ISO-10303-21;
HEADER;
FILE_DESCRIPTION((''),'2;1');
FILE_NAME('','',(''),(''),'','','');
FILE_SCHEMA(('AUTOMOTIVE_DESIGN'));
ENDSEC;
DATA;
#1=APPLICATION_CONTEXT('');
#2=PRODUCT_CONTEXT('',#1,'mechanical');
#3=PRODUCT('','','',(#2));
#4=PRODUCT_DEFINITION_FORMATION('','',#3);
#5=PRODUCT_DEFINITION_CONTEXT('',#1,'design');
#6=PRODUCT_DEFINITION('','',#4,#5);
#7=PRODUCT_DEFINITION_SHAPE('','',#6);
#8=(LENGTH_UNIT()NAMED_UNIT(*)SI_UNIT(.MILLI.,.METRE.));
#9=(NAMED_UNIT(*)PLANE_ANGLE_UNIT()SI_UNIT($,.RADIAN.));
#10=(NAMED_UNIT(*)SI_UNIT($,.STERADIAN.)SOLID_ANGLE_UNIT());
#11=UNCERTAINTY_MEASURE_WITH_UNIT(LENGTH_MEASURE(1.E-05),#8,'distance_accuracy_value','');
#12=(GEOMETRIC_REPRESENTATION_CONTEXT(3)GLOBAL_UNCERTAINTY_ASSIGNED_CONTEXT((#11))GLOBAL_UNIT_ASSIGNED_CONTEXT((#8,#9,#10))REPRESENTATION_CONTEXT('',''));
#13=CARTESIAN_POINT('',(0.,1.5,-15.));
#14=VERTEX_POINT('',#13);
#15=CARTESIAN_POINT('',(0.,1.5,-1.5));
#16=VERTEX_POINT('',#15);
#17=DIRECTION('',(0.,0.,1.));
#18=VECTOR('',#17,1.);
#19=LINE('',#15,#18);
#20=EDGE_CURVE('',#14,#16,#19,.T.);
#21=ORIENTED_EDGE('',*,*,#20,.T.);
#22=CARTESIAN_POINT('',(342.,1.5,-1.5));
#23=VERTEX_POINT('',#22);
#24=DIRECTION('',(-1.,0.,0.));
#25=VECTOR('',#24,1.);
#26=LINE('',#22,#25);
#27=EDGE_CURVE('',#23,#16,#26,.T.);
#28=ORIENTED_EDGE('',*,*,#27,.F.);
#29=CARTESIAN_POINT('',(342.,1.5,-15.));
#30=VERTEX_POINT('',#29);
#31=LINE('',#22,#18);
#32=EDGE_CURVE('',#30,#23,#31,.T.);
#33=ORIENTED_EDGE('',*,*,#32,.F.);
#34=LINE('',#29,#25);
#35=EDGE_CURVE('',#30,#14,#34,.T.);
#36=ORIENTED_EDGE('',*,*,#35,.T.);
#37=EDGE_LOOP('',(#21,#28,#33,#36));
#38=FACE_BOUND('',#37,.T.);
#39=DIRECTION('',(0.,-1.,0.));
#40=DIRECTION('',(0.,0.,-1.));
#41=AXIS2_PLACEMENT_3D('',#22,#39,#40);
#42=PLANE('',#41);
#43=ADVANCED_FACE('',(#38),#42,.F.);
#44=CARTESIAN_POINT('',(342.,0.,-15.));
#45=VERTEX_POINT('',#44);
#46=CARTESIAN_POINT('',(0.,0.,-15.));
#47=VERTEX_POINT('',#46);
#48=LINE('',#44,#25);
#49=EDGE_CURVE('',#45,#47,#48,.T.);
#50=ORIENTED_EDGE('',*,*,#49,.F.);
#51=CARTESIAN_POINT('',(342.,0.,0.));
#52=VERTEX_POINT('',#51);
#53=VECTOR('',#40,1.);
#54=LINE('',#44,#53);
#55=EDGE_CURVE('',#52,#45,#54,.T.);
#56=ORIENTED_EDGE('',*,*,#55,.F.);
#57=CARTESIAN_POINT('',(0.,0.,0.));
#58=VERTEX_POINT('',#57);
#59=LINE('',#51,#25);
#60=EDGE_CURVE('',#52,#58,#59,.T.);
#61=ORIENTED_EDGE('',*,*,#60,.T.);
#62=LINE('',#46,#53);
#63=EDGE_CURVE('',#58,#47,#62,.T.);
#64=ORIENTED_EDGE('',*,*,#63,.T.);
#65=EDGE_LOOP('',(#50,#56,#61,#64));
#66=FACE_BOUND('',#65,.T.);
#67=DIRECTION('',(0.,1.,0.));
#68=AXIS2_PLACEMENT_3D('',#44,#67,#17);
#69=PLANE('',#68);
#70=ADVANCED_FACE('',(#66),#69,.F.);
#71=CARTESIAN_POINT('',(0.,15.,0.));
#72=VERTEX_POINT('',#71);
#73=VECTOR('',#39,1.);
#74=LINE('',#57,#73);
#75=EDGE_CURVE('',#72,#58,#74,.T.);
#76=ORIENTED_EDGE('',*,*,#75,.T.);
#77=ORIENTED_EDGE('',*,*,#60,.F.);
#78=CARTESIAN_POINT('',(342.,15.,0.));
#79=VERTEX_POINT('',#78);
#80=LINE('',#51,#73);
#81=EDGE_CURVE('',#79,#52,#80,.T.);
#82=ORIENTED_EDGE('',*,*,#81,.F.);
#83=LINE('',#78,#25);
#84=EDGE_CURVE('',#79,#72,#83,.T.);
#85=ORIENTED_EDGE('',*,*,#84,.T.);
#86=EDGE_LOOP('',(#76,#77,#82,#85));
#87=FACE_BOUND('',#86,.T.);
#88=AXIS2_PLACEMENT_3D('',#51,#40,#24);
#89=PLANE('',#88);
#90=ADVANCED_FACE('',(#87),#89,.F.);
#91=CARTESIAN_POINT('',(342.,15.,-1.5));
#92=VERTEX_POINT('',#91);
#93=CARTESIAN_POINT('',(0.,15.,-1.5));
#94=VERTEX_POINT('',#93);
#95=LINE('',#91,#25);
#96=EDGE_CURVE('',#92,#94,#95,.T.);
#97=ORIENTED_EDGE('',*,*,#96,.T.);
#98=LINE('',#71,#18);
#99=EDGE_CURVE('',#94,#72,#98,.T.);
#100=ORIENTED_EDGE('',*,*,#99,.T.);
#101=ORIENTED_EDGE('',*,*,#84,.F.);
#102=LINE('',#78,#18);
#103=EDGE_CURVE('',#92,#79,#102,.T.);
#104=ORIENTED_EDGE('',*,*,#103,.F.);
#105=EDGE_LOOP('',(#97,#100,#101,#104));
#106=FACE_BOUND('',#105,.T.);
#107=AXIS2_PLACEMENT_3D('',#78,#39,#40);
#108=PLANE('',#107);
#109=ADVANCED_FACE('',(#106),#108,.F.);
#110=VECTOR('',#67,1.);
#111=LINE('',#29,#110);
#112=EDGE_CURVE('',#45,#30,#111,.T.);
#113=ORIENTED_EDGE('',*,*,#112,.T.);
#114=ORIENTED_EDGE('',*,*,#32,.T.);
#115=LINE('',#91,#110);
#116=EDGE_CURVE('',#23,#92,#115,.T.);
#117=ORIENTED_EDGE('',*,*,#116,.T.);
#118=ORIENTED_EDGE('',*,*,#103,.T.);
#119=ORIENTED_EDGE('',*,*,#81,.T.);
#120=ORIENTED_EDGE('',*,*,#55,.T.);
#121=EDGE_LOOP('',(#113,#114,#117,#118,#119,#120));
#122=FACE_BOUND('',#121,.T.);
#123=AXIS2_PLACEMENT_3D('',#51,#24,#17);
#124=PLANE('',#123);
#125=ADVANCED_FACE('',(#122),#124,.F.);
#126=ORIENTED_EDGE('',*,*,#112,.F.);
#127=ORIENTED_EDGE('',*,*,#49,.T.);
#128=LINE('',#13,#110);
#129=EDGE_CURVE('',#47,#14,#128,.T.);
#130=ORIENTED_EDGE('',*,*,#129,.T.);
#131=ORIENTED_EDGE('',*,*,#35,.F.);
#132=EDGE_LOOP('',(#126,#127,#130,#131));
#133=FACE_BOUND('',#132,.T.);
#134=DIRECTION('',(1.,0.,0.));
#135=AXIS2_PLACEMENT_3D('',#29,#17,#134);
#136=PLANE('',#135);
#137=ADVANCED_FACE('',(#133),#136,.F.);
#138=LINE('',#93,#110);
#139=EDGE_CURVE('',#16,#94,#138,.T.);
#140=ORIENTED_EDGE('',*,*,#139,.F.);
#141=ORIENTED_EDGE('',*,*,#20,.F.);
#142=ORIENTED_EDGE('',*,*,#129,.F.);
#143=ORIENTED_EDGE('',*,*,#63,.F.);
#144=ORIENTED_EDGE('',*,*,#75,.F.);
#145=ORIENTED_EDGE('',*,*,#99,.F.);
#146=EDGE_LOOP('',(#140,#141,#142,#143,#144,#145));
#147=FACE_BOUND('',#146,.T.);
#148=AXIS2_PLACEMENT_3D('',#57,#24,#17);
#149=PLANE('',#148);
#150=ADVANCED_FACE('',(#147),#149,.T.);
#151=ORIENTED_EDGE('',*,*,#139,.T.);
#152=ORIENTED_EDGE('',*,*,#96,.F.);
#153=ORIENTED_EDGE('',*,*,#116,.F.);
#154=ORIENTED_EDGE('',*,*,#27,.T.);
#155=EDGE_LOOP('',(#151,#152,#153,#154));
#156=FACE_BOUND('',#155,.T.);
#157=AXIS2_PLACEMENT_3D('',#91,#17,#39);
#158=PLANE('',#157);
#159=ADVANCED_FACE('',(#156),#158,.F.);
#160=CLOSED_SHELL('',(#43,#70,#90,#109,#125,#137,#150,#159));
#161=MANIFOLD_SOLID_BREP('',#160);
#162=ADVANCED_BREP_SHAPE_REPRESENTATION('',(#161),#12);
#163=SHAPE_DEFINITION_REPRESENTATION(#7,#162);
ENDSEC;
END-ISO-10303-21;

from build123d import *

# Parameters (mm, degrees)
EXTRUDE_1_DEPTH = 342


with BuildPart() as part:
    # Эскиз1 → Бобышка-Вытянуть1 (new body)
    with BuildSketch(Plane(origin=(0, 0, 0), x_dir=(0, 0, -1), z_dir=(1, 0, 0))):
        Polygon((0, 0), (0, 15), (1.5, 15), (1.5, 1.5), (15, 1.5), (15, 0), align=None)
    extrude(amount=EXTRUDE_1_DEPTH)


solid = part.part
